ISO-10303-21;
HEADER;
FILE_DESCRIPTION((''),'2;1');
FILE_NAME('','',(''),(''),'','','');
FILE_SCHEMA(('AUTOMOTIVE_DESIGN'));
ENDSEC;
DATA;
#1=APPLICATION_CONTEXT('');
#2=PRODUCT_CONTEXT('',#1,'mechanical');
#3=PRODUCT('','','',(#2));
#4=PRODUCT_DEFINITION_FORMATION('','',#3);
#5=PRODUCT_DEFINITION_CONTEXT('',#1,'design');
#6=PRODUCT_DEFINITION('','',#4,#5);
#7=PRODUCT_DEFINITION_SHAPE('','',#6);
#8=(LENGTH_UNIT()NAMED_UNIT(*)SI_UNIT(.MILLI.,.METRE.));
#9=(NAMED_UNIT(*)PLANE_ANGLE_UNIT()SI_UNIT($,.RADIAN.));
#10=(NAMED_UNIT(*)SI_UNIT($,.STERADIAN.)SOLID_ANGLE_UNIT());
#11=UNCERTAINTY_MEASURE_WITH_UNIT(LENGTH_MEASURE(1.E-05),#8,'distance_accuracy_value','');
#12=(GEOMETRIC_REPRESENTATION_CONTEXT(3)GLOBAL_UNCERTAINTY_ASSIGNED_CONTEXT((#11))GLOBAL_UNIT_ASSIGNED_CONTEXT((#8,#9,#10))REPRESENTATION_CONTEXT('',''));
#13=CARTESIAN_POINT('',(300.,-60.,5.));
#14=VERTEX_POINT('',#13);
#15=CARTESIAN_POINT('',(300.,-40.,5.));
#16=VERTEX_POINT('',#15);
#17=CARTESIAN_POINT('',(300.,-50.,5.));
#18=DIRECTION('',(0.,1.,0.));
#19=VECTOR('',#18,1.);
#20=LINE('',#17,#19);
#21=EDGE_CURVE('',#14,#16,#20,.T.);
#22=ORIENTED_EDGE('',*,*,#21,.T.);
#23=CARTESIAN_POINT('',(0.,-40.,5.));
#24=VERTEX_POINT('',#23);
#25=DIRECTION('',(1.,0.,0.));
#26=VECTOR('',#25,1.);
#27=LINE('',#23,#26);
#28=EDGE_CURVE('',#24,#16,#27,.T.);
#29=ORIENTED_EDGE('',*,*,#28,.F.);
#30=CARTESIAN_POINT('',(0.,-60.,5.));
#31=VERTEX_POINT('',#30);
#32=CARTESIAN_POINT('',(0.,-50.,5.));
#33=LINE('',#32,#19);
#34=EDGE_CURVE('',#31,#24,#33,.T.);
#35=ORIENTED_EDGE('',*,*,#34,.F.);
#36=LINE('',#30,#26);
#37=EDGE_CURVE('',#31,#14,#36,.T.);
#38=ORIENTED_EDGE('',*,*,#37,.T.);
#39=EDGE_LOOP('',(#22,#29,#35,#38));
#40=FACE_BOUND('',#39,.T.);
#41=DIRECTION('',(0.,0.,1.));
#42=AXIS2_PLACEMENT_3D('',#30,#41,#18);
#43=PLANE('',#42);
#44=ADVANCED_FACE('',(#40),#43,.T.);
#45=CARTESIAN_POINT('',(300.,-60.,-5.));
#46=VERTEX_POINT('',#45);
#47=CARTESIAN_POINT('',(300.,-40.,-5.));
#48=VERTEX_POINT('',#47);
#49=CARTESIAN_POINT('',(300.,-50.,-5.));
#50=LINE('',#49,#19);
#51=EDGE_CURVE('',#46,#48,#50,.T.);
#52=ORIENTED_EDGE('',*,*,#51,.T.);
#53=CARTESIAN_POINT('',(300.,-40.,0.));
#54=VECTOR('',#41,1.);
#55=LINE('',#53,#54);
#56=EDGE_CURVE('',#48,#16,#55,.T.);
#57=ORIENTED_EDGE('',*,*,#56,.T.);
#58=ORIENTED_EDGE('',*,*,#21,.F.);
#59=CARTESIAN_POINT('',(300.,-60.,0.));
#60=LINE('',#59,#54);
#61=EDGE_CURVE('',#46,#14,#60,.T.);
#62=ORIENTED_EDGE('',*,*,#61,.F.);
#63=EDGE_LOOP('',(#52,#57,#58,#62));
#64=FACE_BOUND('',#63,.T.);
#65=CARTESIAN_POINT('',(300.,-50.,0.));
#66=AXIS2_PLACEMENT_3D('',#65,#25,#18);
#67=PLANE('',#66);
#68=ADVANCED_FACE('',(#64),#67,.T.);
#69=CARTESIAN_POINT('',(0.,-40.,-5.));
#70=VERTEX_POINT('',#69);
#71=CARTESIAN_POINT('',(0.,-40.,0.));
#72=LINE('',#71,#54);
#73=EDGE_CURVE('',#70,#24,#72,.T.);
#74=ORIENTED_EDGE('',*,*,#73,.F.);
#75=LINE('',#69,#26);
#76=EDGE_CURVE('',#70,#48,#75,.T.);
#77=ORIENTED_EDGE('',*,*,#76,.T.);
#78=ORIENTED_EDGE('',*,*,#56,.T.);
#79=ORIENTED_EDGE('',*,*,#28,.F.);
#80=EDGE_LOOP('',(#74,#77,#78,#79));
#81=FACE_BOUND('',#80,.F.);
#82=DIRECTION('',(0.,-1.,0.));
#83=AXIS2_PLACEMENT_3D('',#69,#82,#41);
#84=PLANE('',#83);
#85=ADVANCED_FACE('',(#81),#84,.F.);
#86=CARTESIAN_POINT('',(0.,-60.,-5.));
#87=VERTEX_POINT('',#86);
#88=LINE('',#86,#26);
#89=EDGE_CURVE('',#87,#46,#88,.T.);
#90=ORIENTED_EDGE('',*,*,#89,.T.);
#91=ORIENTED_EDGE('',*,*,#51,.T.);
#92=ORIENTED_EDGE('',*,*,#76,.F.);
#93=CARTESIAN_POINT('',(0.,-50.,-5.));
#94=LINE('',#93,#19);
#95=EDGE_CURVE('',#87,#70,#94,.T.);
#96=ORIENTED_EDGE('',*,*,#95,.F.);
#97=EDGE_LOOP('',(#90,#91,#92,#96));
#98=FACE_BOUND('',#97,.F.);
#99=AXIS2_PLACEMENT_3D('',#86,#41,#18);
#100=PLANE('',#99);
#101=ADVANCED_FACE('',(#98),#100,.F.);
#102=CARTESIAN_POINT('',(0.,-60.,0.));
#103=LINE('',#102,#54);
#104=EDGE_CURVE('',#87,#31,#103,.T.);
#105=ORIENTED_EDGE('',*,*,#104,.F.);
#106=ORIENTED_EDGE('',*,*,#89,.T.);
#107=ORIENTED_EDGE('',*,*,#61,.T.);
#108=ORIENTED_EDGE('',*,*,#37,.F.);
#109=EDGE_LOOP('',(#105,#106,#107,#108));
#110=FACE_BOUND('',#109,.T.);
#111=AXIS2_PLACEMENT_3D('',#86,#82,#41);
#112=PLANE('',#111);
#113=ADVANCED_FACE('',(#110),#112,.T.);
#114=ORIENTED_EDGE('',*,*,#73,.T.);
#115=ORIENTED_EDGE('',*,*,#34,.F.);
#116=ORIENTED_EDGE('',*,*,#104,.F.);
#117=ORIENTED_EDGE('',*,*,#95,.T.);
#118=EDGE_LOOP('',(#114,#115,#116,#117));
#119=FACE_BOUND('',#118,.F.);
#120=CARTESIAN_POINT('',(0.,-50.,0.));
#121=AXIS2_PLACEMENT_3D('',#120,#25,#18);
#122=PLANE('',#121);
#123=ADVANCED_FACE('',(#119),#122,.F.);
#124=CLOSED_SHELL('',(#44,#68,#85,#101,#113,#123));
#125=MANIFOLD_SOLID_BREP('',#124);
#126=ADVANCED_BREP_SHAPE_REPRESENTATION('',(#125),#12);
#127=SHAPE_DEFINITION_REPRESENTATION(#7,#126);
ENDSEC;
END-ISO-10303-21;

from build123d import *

# Parameters (mm, degrees)
SKETCH_W  = 20
SKETCH_H  = 10
PAD_DEPTH = 300


with BuildPart() as part:
    # Sketch → Pad (new body)
    with BuildSketch(Plane.YZ):
        with Locations((-50, 0)):
            Rectangle(SKETCH_W, SKETCH_H)
    extrude(amount=PAD_DEPTH)


solid = part.part
